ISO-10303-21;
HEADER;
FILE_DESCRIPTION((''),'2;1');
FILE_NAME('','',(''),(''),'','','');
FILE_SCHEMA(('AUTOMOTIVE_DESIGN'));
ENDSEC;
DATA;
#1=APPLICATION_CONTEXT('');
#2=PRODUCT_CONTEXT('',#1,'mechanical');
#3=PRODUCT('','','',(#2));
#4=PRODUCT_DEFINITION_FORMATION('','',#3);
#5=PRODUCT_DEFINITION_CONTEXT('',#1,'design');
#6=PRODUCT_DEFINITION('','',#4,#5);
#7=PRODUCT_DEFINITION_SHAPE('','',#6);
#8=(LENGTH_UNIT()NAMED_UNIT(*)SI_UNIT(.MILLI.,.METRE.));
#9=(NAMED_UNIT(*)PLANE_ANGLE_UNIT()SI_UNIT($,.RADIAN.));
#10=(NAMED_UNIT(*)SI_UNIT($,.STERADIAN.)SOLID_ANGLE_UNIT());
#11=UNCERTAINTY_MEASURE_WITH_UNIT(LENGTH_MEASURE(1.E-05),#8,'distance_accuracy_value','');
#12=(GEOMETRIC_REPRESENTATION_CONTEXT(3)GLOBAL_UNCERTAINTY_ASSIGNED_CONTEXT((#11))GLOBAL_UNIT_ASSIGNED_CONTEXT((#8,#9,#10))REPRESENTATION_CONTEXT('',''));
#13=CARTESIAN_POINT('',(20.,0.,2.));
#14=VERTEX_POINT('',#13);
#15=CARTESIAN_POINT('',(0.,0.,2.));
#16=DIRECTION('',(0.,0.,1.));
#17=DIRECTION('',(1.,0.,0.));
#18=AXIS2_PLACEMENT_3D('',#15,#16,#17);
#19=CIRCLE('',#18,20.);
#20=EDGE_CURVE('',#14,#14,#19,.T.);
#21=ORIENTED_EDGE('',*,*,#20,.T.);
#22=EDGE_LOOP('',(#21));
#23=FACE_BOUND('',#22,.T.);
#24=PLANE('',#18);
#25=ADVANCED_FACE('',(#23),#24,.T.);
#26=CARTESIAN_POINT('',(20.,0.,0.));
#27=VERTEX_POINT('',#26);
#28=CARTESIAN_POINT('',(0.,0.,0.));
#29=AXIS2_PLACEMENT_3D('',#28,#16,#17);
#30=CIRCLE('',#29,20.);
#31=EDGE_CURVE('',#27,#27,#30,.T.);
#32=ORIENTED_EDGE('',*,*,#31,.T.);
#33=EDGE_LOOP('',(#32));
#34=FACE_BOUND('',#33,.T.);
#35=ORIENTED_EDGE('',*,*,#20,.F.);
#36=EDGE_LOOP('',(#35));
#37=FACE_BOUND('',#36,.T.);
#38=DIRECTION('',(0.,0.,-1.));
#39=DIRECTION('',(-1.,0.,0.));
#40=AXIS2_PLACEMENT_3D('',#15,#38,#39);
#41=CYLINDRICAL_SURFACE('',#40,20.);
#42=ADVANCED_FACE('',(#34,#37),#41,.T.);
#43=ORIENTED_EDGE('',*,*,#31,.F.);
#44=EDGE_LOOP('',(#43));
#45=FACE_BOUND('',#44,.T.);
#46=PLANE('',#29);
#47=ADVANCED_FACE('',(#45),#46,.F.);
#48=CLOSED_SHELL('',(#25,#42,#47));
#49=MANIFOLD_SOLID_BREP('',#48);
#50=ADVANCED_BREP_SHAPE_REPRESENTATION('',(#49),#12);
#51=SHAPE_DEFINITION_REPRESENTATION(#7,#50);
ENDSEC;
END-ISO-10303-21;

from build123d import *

# Parameters (mm, degrees)
SKETCH_1_R      = 20
EXTRUDE_1_DEPTH = 2


with BuildPart() as part:
    # 草图1 → 凸台-拉伸1 (new body)
    with BuildSketch(Plane.XY):
        Circle(SKETCH_1_R)
    extrude(amount=EXTRUDE_1_DEPTH)


solid = part.part
